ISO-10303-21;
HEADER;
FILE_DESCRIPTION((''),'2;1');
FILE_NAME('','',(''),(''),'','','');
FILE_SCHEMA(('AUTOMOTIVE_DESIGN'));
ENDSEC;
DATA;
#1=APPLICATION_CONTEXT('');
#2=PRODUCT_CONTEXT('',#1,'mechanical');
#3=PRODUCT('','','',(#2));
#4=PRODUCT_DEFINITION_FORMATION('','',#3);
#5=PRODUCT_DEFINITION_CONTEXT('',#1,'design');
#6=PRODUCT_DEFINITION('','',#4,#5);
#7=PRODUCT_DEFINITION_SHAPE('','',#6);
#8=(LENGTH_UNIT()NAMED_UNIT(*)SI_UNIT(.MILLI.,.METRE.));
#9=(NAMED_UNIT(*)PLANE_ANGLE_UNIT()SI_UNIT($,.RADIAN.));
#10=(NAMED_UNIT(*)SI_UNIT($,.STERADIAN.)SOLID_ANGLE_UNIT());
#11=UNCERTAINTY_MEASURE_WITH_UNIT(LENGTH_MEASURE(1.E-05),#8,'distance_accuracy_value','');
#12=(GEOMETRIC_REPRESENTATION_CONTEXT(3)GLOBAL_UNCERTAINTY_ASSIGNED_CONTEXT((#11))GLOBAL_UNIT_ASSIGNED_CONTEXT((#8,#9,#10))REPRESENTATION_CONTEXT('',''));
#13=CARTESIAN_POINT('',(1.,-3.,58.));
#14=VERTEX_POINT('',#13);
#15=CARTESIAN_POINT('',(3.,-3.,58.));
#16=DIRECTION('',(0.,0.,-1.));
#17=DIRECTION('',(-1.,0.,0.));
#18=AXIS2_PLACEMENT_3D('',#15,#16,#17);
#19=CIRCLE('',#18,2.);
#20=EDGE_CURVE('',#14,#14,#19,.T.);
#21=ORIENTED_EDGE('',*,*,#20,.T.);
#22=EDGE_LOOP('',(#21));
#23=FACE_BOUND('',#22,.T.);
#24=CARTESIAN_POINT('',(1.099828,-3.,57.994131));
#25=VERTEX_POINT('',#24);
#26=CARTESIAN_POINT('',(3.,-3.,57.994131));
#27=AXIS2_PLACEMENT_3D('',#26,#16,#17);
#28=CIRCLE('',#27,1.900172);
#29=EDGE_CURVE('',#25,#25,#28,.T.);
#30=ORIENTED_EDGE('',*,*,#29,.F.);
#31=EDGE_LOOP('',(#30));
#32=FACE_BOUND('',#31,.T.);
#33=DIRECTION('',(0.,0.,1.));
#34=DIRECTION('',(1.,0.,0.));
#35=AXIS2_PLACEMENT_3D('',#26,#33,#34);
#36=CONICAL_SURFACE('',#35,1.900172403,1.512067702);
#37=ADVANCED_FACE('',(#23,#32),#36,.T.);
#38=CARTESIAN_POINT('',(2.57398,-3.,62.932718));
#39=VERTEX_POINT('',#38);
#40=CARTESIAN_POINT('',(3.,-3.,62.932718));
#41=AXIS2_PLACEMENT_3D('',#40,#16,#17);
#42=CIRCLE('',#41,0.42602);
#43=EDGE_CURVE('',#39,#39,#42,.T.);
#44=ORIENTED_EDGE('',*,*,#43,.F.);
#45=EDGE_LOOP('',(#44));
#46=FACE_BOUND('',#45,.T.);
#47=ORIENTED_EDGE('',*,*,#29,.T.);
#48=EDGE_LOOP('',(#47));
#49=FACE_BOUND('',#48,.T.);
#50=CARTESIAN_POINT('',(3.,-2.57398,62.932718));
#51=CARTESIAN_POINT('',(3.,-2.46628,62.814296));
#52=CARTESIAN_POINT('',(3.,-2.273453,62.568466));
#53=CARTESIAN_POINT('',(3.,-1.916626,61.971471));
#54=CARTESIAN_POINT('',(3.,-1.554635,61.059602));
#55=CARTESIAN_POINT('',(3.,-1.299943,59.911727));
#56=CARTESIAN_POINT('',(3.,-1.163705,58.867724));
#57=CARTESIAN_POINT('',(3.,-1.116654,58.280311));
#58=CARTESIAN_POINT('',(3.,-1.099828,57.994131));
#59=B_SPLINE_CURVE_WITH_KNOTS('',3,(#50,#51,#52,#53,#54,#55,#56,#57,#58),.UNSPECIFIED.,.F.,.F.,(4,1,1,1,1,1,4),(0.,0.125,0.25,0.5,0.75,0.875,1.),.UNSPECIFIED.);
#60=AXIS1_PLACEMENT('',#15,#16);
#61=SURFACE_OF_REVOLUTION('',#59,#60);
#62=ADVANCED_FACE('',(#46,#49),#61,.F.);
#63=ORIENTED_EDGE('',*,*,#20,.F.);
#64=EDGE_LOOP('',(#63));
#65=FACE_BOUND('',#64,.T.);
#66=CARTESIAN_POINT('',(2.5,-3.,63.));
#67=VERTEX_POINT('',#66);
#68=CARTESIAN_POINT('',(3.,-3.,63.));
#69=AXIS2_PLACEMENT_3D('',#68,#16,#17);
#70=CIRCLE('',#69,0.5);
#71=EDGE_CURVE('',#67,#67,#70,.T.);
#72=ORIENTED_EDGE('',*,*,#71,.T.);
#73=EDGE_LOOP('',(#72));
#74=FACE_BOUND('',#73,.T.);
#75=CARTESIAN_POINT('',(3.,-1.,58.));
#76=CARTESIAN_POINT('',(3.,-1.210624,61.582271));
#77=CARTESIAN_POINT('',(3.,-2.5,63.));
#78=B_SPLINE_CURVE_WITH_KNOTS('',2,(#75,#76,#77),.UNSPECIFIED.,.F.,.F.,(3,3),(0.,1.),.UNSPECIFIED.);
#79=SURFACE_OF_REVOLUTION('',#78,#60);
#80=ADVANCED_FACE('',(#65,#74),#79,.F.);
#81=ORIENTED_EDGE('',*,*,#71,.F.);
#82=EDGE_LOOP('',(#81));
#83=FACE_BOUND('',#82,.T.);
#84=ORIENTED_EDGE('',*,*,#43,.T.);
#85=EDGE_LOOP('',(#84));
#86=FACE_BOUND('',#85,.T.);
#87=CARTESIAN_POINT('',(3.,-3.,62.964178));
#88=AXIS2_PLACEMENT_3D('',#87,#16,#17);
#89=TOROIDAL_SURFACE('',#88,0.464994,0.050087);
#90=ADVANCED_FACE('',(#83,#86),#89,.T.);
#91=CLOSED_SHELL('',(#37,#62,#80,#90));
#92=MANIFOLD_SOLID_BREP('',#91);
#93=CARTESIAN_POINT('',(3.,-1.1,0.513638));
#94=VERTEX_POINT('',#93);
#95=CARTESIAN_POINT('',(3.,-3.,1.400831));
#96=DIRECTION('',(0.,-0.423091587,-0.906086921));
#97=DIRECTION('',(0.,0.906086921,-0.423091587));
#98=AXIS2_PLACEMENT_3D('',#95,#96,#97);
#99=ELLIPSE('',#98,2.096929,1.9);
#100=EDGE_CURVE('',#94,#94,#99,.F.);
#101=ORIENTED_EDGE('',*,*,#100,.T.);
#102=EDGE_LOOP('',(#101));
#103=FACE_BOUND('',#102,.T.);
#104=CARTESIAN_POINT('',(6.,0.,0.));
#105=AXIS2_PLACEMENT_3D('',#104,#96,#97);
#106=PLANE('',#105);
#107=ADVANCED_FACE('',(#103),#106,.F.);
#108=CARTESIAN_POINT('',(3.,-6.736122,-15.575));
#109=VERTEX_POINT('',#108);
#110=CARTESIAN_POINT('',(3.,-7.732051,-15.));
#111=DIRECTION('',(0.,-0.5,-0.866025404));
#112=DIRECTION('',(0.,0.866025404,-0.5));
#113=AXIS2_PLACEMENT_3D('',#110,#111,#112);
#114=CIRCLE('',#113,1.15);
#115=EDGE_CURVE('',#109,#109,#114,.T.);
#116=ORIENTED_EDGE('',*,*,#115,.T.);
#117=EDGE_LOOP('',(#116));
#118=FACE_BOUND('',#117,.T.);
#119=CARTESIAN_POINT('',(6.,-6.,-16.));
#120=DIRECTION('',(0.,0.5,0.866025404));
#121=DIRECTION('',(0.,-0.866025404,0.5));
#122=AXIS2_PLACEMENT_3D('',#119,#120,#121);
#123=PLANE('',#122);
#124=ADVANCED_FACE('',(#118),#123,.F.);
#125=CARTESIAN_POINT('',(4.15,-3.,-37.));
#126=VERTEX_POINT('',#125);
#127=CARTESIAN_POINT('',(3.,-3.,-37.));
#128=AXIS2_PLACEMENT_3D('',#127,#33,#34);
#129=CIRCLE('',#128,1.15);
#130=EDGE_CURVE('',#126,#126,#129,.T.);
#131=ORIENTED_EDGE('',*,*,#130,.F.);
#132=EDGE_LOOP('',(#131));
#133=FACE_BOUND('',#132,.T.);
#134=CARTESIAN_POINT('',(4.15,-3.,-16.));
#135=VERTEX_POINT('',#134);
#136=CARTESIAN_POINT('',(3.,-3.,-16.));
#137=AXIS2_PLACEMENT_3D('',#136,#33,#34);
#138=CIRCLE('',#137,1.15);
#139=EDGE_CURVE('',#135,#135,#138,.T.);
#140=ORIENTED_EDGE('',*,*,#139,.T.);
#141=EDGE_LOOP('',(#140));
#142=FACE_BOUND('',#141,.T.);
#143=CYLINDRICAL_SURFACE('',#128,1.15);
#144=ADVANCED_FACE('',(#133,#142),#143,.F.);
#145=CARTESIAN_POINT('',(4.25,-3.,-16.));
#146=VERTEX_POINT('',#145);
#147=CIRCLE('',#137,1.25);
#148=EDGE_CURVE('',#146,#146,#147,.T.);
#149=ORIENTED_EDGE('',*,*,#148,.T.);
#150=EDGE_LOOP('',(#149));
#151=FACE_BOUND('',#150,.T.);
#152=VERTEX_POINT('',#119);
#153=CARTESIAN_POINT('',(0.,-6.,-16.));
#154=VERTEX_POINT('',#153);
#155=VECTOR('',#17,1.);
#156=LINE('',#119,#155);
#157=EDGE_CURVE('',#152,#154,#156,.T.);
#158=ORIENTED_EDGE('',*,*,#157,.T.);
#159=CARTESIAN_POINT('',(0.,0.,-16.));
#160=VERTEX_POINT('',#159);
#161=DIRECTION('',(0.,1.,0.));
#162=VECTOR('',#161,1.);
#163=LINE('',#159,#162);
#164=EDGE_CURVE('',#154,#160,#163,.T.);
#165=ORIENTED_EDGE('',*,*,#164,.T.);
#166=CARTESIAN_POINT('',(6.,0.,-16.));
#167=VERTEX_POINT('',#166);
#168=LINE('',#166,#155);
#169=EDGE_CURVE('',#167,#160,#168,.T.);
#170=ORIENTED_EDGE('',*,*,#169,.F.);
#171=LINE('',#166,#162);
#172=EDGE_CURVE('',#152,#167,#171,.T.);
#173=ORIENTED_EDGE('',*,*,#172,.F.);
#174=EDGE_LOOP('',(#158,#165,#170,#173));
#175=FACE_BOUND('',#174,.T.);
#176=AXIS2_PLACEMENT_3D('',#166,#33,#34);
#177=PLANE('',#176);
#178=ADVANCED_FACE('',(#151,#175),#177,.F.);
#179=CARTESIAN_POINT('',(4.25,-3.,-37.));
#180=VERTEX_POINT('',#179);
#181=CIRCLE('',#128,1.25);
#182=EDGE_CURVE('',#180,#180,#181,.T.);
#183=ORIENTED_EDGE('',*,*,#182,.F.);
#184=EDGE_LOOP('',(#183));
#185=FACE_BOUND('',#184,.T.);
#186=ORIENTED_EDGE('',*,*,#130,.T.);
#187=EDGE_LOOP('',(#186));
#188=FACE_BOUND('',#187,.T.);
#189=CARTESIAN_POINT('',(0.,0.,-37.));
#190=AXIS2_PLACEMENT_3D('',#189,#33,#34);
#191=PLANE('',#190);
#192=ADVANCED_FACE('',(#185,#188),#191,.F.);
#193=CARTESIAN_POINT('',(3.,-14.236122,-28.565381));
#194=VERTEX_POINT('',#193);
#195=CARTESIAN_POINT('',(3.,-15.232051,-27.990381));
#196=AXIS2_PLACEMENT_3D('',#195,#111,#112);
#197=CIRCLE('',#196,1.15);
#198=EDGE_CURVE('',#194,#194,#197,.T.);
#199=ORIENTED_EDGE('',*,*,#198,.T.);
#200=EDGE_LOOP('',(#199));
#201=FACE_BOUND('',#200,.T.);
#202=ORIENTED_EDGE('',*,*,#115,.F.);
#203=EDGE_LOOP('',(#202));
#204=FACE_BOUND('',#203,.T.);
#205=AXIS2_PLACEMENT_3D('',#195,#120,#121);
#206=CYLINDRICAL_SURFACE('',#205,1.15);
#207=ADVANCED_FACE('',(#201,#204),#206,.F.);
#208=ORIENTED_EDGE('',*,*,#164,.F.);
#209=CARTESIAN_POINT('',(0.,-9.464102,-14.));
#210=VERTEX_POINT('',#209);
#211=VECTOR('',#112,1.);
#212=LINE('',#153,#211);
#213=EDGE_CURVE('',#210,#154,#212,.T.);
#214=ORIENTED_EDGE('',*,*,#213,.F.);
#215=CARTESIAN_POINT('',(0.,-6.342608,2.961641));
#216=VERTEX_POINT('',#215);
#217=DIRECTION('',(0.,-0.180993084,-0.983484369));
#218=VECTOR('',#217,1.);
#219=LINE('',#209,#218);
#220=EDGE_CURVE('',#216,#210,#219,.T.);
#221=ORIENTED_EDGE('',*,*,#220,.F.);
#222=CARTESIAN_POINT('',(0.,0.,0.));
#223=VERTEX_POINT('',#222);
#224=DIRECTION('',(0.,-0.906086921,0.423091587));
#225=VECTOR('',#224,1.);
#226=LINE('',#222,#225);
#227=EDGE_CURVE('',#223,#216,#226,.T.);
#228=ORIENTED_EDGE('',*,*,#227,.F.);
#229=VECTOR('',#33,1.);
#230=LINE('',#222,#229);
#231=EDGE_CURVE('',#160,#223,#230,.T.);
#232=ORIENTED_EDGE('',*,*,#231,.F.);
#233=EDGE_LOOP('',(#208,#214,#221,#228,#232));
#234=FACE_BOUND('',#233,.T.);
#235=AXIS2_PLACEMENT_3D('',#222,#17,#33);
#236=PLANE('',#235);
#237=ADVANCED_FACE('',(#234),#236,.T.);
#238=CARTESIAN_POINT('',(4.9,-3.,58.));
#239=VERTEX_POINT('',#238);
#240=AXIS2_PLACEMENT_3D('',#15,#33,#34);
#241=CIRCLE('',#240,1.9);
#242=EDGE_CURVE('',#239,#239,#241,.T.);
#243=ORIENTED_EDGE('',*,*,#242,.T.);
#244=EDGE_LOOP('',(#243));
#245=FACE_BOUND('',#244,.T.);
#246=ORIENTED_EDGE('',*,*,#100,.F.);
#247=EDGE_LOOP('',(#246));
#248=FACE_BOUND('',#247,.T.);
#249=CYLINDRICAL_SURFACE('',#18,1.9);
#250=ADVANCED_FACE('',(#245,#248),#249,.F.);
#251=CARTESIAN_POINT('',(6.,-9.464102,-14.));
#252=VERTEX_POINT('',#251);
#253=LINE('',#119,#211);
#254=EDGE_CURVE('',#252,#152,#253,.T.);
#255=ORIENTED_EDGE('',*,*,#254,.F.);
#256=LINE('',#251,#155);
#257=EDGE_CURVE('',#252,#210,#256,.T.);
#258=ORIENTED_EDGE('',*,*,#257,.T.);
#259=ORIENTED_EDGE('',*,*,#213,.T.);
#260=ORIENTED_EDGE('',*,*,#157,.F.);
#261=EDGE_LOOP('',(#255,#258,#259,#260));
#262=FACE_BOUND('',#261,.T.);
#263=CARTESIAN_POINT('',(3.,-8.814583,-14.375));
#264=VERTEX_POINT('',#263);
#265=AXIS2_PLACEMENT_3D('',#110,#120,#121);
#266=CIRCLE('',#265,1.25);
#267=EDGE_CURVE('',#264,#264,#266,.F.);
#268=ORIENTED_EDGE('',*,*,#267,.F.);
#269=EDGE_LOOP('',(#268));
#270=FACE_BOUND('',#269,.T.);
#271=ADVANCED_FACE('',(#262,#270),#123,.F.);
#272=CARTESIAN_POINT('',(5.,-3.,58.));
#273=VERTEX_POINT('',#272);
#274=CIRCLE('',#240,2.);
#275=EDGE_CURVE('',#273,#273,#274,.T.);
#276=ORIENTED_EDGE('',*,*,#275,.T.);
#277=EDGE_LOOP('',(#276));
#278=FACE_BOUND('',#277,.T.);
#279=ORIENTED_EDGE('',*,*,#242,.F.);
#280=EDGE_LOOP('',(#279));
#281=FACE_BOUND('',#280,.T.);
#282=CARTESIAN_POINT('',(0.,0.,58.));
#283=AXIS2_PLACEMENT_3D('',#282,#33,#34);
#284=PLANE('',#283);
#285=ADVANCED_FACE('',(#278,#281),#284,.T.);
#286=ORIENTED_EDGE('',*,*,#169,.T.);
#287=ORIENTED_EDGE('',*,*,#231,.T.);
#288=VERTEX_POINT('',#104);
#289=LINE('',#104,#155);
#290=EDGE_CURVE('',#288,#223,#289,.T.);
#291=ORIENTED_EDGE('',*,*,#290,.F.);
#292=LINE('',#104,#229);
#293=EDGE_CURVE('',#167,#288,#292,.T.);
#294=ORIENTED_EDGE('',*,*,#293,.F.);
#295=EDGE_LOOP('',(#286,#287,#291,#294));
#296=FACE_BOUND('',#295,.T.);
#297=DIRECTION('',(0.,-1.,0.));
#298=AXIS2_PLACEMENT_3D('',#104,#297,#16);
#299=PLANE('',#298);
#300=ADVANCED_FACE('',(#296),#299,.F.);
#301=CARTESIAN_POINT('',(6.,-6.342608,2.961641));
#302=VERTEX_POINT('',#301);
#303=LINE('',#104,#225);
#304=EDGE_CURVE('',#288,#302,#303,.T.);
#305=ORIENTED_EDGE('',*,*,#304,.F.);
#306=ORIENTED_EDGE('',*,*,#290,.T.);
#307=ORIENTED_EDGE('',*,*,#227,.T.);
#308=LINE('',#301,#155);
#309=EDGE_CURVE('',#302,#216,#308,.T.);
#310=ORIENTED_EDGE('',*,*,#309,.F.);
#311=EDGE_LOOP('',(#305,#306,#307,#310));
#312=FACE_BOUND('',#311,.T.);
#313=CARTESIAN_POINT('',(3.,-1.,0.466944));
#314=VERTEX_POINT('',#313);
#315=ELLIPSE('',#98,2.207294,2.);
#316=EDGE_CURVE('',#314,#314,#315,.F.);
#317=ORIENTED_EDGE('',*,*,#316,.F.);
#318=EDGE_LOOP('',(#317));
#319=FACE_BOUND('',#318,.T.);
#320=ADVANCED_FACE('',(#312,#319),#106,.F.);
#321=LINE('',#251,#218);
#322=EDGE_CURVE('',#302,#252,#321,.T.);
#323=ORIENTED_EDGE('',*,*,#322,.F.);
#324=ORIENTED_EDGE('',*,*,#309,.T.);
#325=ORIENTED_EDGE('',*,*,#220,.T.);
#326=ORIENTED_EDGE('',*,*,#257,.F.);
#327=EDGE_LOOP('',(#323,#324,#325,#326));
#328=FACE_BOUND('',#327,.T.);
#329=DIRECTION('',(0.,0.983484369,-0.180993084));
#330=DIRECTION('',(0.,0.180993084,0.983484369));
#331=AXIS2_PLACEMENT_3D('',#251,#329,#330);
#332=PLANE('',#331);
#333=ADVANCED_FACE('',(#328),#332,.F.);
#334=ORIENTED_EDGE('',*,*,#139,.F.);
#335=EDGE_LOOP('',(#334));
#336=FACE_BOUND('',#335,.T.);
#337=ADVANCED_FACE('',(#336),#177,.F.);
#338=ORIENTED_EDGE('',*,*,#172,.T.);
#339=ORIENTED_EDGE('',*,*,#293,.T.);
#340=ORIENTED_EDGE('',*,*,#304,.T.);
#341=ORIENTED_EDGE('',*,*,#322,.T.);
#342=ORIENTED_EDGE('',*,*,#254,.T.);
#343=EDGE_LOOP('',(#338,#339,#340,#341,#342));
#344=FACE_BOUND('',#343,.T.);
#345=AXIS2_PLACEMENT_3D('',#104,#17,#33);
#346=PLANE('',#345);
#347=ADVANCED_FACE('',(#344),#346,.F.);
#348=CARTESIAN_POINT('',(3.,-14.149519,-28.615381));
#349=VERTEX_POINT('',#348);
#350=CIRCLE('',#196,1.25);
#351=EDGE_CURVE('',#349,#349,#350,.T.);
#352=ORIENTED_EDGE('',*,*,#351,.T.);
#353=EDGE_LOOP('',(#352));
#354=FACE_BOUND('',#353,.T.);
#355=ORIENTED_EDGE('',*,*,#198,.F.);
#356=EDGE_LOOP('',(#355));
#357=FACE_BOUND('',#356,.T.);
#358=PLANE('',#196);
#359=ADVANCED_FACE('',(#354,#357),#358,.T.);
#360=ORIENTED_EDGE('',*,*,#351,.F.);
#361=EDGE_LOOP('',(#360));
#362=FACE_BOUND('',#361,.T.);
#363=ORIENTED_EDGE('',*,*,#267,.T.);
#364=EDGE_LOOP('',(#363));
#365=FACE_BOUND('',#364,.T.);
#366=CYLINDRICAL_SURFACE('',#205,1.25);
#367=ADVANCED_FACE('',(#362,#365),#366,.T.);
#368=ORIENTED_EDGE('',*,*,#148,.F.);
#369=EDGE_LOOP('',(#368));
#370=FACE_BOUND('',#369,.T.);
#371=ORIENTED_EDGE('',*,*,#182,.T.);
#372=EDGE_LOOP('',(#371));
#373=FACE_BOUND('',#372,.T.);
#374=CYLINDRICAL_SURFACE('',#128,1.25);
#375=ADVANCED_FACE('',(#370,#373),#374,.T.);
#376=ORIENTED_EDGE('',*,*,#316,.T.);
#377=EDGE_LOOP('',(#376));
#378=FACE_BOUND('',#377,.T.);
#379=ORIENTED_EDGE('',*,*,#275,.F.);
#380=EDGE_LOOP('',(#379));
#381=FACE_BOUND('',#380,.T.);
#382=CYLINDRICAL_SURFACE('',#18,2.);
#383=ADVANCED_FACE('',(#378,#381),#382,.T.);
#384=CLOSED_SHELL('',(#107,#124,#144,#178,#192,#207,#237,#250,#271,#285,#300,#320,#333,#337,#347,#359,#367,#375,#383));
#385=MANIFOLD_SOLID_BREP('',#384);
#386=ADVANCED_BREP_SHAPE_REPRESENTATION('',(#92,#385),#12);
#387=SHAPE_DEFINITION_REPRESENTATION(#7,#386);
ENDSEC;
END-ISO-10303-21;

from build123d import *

# Parameters (mm, degrees)
BOSS_EXTRUDE1_DEPTH = 6
SKETCH3_R           = 2
SKETCH3_R_2         = 1.9
BOSS_EXTRUDE2_DEPTH = 58
SKETCH3_3_R         = 1.25
SKETCH3_3_R_2       = 1.15
BOSS_EXTRUDE3_DEPTH = 37
SKETCH4_R           = 1.25
SKETCH4_R_2         = 1.15
BOSS_EXTRUDE4_DEPTH = 15


with BuildPart() as part:
    # Sketch2 → Boss-Extrude1 (new body)
    with BuildSketch(Plane(origin=(0, 0, 0), x_dir=(0, 0, -1), z_dir=(1, 0, 0))):
        Polygon((0, 0), (16, 0), (16, -6), (14, -9.464101615), (-2.961641111, -6.342608448), align=None)
    extrude(amount=BOSS_EXTRUDE1_DEPTH)

    # Sketch3 → Boss-Extrude2 (add)
    with BuildSketch(Plane.XY):
        with Locations((3, -3)):
            Circle(SKETCH3_R)
        with Locations((3, -3)):
            Circle(SKETCH3_R_2, mode=Mode.SUBTRACT)
    extrude(amount=BOSS_EXTRUDE2_DEPTH)

    # Sketch3<3> → Boss-Extrude3 (add)
    with BuildSketch(Plane.XY):
        with Locations((3, -3)):
            Circle(SKETCH3_3_R)
        with Locations((3, -3)):
            Circle(SKETCH3_3_R_2, mode=Mode.SUBTRACT)
    extrude(amount=-BOSS_EXTRUDE3_DEPTH)

    # Sketch4 → Boss-Extrude4 (add)
    with BuildSketch(Plane(origin=(0, -8.42820323, -14.598076211), x_dir=(-1, 0, 0), z_dir=(0, -0.500000000000001, -0.8660254037844382))):
        with Locations((-3, 0.803847577)):
            Circle(SKETCH4_R)
        with Locations((-3, 0.803847577)):
            Circle(SKETCH4_R_2, mode=Mode.SUBTRACT)
    extrude(amount=BOSS_EXTRUDE4_DEPTH)


with BuildPart() as body_2:
    # Sketch8 → Revolve1 (revolve)
    with BuildSketch(Plane(origin=(3, 0, 0), x_dir=(0, 0, -1), z_dir=(1, 0, 0))):
        with BuildLine():
            Line((-58, -1), (-57.994130513, -1.099827597))
            add(Edge.make_bspline(
                [(-57.994130513, -1.099827597), (-58.280311263, -1.116653948), (-58.867724332, -1.163704732), (-59.911727334, -1.299942949), (-61.0596021, -1.55463474), (-61.971470964, -1.916626175), (-62.568466051, -2.273453071), (-62.814295678, -2.466279549), (-62.93271753, -2.573980195)],
                knots=[0, 0, 0, 0, 0.125, 0.25, 0.5, 0.75, 0.875, 1, 1, 1, 1], degree=3))
            ThreePointArc((-62.93271753, -2.573980195), (-63.00123195, -2.568706073), (-63, -2.5))
            add(Edge.make_bspline(
                [(-58, -1), (-61.582271416, -1.21062408), (-63, -2.5)],
                knots=[0, 0, 0, 1, 1, 1], degree=2))
        make_face()
    revolve(axis=Axis((3, -3, 58), (0, 0, 1)))


solid = Compound([part.part, body_2.part])
